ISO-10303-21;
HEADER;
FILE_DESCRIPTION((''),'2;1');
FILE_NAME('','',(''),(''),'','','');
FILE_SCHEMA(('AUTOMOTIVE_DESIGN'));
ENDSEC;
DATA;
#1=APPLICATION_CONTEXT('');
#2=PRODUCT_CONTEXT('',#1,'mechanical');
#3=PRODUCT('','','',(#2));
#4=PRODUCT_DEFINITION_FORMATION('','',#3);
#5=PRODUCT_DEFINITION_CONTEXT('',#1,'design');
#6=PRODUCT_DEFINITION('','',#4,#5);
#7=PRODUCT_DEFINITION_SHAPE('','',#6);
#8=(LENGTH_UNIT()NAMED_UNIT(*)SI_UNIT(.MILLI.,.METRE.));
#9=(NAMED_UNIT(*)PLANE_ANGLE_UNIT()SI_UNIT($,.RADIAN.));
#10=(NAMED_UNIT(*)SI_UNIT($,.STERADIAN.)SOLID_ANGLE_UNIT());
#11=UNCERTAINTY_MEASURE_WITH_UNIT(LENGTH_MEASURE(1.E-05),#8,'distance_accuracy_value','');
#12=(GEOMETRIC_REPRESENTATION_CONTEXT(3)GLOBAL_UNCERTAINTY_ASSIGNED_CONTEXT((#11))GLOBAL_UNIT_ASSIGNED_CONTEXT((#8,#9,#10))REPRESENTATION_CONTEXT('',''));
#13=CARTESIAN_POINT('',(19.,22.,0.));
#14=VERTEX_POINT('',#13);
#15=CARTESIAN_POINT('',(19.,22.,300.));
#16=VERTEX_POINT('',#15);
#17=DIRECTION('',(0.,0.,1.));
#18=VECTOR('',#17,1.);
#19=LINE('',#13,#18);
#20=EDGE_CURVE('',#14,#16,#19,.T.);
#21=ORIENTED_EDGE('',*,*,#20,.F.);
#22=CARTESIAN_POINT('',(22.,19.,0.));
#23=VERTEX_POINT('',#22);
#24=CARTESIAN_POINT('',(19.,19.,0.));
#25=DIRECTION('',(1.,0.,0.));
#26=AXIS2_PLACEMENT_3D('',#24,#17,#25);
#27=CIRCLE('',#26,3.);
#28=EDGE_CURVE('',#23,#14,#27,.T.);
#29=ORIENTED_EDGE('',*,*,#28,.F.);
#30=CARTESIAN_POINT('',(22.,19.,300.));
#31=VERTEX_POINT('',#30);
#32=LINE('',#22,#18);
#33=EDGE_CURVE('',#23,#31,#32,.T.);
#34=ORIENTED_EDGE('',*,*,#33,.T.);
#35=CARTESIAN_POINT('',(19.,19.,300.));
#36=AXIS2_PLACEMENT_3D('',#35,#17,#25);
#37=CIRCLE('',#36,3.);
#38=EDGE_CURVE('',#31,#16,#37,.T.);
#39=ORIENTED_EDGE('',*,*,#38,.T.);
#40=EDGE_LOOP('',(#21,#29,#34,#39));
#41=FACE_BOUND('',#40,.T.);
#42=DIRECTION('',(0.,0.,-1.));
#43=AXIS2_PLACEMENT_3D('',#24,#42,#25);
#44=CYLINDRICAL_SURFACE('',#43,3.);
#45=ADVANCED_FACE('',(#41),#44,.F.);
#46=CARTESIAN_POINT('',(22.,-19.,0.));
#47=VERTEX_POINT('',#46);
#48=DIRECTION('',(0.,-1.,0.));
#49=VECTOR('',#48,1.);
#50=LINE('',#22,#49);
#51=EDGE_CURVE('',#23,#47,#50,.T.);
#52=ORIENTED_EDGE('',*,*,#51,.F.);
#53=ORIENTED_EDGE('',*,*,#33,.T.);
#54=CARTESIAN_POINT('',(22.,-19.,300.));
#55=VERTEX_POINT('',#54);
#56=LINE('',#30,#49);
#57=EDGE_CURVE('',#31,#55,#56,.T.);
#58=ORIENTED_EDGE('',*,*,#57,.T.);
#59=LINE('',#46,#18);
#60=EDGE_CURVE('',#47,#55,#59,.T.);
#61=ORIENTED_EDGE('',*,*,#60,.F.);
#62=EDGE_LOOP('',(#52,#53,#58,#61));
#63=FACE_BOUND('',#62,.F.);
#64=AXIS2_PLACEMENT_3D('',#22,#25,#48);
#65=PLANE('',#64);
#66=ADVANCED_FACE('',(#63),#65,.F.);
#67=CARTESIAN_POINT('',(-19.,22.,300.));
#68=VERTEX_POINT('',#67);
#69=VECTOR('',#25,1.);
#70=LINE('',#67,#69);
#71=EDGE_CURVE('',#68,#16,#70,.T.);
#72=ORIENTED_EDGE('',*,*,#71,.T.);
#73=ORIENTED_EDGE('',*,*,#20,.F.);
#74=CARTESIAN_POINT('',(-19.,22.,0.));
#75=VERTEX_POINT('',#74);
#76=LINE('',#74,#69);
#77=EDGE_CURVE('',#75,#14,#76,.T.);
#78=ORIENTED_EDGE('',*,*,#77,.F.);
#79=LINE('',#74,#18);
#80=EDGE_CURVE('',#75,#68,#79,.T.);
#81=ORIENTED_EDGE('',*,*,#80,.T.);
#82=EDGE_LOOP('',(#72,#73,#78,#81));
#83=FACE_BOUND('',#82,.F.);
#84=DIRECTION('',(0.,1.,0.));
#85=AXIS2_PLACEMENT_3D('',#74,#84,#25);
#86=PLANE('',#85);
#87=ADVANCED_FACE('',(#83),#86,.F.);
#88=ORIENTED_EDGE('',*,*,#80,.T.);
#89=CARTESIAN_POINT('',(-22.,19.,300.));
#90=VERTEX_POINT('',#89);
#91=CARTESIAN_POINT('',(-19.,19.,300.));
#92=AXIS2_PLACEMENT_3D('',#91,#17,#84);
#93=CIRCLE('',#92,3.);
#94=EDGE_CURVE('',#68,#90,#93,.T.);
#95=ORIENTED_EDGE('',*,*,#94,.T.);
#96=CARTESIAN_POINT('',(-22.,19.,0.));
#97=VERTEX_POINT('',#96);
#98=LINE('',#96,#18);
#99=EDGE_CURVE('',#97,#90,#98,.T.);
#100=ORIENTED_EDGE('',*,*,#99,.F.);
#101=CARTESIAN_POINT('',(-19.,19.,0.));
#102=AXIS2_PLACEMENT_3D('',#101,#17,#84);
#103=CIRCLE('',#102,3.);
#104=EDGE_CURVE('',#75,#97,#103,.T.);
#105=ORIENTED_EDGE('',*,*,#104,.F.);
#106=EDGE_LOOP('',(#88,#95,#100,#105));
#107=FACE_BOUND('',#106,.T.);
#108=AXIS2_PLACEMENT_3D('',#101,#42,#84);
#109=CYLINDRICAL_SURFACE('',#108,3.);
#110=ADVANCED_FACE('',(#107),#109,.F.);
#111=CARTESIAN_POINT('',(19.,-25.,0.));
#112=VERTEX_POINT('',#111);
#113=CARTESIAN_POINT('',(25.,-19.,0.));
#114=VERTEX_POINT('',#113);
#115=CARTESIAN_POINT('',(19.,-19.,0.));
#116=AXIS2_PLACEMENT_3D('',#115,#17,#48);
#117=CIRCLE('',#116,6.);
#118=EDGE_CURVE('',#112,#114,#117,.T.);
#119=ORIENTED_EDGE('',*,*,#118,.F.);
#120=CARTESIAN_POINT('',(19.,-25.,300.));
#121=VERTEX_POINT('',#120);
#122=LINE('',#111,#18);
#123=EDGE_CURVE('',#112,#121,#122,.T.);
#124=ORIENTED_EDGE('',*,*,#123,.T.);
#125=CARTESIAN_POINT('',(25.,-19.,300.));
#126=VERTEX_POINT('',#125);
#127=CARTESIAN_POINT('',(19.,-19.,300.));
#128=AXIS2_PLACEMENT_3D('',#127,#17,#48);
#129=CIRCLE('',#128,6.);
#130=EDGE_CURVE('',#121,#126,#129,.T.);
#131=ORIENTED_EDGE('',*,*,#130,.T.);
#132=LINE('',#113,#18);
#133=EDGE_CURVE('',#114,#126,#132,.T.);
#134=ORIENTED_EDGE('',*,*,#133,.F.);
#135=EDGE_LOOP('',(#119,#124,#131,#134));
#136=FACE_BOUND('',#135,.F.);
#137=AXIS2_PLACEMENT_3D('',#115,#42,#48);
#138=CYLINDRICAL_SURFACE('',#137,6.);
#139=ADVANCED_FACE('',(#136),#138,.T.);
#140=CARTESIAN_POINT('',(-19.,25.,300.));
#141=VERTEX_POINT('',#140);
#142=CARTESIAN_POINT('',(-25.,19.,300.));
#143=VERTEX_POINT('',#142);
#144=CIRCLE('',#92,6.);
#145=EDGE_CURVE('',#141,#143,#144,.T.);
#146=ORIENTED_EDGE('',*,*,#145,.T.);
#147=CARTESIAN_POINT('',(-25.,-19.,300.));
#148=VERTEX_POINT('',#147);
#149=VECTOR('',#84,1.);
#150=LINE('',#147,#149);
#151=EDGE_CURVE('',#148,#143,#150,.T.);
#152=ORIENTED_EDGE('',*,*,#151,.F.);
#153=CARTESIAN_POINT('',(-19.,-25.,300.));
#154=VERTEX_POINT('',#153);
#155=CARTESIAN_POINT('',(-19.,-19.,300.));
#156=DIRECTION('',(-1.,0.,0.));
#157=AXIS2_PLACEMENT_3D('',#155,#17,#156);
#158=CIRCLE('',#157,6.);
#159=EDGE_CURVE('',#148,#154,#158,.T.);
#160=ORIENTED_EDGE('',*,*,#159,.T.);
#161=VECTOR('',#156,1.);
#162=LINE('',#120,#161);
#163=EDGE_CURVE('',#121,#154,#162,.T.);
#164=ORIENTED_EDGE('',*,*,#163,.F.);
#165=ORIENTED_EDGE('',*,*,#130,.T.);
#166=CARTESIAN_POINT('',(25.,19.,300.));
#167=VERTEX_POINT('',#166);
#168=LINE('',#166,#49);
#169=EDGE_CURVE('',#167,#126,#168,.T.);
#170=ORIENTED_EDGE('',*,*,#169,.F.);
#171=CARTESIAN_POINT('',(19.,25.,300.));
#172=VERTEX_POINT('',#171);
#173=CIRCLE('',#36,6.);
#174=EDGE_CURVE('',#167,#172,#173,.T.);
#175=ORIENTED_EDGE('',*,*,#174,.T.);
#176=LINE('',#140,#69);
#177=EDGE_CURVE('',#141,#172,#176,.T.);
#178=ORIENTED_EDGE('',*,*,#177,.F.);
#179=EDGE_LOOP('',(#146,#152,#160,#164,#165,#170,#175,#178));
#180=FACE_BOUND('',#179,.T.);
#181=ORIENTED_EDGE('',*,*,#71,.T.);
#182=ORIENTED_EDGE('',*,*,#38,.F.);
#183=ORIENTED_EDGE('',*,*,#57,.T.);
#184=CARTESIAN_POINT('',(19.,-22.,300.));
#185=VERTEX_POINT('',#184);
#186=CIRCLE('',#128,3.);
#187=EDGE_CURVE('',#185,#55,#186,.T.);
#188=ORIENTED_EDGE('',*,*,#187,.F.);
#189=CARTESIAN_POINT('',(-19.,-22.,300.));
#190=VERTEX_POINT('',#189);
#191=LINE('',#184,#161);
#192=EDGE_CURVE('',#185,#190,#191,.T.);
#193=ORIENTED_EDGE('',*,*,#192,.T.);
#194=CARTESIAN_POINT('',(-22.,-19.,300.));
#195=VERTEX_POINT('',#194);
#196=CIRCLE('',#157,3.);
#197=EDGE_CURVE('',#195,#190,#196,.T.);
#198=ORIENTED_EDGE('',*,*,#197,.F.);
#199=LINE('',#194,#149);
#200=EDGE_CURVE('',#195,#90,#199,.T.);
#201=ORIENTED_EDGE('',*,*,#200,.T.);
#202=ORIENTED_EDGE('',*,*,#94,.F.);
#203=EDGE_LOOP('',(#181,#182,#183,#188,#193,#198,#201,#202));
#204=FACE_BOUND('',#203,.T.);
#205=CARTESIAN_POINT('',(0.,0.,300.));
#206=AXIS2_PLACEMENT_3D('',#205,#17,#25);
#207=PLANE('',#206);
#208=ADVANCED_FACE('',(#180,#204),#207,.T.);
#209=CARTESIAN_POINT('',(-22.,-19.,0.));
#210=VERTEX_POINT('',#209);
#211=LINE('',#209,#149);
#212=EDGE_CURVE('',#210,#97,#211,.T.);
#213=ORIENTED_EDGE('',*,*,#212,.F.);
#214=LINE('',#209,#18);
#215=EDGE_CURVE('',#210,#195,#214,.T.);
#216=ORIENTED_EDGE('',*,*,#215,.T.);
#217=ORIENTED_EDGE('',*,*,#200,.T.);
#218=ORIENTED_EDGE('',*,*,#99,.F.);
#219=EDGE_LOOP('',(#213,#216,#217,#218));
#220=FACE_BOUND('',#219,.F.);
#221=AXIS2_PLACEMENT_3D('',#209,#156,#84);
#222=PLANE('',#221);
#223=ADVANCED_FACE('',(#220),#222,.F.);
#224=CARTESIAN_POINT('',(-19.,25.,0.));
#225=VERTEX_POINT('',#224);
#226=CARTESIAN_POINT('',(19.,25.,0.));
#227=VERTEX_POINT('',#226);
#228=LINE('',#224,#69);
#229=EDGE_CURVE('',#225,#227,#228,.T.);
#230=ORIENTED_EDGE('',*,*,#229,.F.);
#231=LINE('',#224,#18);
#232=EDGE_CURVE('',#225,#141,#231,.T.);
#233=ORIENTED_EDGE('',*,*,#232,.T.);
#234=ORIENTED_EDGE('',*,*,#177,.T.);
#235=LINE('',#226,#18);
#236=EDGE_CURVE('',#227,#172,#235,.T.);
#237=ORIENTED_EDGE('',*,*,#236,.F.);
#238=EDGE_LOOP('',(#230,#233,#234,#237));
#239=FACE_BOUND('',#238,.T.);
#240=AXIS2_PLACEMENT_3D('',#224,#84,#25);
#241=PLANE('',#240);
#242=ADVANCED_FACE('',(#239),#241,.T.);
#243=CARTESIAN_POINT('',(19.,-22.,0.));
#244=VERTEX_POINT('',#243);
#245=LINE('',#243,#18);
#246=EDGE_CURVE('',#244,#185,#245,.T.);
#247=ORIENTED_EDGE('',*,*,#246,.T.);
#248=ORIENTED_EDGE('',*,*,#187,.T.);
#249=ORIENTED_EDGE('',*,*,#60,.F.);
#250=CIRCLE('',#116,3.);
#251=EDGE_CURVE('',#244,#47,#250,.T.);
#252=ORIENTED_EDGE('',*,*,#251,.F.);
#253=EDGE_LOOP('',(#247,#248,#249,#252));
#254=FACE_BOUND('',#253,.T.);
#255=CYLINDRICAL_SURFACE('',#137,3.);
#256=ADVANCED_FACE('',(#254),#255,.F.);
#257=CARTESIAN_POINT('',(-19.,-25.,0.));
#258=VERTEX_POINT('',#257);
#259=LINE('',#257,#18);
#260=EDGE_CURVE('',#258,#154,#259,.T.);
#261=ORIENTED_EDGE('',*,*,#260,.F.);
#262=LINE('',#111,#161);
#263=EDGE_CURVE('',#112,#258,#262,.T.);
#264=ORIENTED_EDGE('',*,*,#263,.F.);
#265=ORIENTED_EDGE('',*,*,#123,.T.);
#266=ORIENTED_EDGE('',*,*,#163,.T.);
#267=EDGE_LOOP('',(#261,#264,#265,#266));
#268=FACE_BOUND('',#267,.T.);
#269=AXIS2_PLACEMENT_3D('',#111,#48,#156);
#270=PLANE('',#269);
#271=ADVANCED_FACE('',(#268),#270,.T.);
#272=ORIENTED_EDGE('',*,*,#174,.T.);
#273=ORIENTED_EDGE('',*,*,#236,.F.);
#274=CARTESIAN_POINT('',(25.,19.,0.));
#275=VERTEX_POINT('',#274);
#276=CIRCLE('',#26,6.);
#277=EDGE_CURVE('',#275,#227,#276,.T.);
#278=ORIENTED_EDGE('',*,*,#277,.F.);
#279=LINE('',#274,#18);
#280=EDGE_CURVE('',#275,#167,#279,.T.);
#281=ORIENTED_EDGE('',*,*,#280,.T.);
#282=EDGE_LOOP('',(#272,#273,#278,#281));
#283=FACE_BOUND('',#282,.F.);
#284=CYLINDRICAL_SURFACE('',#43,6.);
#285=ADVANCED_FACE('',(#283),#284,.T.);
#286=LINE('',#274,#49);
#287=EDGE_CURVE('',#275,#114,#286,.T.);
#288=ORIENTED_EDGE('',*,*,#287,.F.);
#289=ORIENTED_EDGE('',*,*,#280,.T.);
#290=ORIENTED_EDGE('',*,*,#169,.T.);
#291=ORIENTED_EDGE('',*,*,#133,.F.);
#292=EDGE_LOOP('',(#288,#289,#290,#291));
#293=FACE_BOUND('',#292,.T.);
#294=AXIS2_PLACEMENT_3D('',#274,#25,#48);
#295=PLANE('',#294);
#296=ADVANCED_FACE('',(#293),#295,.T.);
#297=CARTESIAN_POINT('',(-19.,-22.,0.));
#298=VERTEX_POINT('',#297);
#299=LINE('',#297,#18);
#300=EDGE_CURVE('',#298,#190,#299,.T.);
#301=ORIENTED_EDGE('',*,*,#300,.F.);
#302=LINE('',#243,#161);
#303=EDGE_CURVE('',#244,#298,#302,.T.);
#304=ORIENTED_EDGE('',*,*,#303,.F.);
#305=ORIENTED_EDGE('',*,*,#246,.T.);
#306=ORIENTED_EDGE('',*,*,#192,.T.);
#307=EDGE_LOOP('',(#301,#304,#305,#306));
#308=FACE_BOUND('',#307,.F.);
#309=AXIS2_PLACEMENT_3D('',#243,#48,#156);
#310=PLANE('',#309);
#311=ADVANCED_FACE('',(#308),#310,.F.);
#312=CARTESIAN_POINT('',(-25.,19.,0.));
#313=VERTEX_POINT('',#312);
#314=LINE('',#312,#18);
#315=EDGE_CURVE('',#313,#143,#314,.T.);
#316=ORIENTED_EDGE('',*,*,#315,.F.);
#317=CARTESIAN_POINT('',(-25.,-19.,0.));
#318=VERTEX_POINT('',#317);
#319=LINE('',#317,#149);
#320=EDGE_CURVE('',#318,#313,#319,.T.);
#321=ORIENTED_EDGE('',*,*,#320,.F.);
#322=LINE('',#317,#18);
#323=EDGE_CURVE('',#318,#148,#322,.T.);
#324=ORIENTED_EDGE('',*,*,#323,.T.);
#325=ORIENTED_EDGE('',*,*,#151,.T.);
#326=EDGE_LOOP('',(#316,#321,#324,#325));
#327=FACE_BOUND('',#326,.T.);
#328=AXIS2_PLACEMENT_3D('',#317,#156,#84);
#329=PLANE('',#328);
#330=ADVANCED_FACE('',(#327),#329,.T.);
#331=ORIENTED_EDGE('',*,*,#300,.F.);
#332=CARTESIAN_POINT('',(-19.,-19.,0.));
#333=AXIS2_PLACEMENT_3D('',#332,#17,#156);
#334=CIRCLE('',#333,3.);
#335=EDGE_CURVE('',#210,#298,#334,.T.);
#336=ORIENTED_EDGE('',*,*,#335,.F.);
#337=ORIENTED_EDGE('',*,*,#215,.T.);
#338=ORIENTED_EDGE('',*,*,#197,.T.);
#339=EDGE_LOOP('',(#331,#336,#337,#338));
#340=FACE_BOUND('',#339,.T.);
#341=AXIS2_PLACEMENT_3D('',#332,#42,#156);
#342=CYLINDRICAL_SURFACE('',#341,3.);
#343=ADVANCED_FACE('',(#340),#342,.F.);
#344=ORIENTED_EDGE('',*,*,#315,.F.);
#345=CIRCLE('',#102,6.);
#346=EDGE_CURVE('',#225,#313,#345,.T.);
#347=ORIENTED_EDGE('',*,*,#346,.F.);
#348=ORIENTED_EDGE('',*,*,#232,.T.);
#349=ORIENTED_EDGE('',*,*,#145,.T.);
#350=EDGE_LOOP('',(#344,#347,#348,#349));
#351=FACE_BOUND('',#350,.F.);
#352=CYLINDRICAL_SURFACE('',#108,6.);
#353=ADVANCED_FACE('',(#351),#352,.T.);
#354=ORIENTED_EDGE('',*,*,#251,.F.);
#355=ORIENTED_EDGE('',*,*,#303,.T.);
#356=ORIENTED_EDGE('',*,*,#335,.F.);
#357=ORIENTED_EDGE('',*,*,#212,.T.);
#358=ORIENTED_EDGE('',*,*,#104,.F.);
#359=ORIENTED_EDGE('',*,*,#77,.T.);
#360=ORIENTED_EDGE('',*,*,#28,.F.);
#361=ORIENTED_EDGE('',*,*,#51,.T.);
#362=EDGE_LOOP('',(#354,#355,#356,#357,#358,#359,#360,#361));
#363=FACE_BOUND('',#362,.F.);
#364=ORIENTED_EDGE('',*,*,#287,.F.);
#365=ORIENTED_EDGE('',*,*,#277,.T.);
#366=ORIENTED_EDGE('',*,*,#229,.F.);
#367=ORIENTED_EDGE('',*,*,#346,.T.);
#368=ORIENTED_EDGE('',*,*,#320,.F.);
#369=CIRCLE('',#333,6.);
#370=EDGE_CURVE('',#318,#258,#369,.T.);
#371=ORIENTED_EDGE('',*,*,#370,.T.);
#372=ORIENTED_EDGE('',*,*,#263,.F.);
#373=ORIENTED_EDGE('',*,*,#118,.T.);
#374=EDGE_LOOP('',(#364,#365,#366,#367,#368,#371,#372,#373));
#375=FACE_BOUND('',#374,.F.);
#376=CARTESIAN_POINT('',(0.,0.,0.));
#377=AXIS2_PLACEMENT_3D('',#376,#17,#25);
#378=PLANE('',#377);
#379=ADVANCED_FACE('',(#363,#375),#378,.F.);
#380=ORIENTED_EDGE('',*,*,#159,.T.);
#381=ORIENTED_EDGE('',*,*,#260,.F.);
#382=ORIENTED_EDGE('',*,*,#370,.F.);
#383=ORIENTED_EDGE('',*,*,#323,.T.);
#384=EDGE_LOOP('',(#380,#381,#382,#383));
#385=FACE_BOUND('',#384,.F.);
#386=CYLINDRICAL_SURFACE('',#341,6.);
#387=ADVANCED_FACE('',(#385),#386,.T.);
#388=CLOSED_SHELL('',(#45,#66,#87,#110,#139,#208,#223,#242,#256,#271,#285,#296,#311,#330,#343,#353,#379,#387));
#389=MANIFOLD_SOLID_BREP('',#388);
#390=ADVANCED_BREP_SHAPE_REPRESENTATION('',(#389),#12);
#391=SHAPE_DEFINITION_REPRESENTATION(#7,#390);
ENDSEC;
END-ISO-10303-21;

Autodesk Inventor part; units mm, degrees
ref_plane "YZ Plane" through (0, 0, 0) normal (1, 0, 0) x (0, 1, 0)
ref_plane "Start Plane" through (0, 0, 0) normal (0, 0, 1) x (1, 0, 0)
ref_plane "End Plane" through (0, 0, 300) normal (0, 0, 1) x (1, 0, 0)
sketch "Sketch" plane through (0, 0, 0) normal (0, 0, 1) x (1, 0, 0)
  line L0 (-25, -19) -> (-25, 19)
  line L1 (-19, 25) -> (19, 25)
  line L2 (25, 19) -> (25, -19)
  line L3 (19, -25) -> (-19, -25)
  arc A0 (-25, -19) -> (-19, -25) centre (-19, -19) ccw
  arc A1 (25, 19) -> (19, 25) centre (19, 19) ccw
  arc A2 (-19, 25) -> (-25, 19) centre (-19, 19) ccw
  arc A3 (19, -25) -> (25, -19) centre (19, -19) ccw
  arc A4 (-19, 22) -> (-22, 19) centre (-19, 19) ccw
  line L4 (-19, 22) -> (19, 22)
  arc A5 (22, 19) -> (19, 22) centre (19, 19) ccw
  line L5 (22, 19) -> (22, -19)
  arc A6 (19, -22) -> (22, -19) centre (19, -19) ccw
  line L6 (19, -22) -> (-19, -22)
  arc A7 (-22, -19) -> (-19, -22) centre (-19, -19) ccw
  line L7 (-22, -19) -> (-22, 19)
  line L8 (0, 36.7397) -> (0, -36.7397) construction
  line L9 (-36.7397, 0) -> (36.7397, 0) construction
  dimension "d7" = 6
  dimension "d9" = 50
  dimension "d11" = 50
  dimension "d12" = 3
  dimension "d15" = 25
  dimension "d16" = 25
extrude "Body" add sketch "Sketch" along normal up to surface (300 mm away) from surface at 0
sketch "Sketch3" plane through (0, 0, 0) normal (0, 0, 1) x (1, 0, 0)
  line L0 (0, 0) -> (10, 0)
ref_plane "Work Plane3" through (0, 0, 0) normal (0, -1, 0) x (1, 0, 0)
sketch "Sketch4" plane through (0, 0, 0) normal (0, -1, 0) x (1, 0, 0)
  line L0 (-2, 0) -> (12, 0) projected
  line L1 (-2, 300) -> (12, 300) projected
  dimension "d18" = 300
equation "\"d7\" = G_IR"
equation "\"d9\" = G_W"
equation "\"d11\" = G_H"
equation "\"d12\" = G_T"
equation "\"d15\" = 0.5 * d9"
equation "\"d16\" = 0.5 * d11"
equation "\"d3\" = G_L"
equation "\"G_W\" = 50"
equation "\"G_H\" = 50"
equation "\"G_T\" = 3"
equation "\"G_IR\" = 6"
equation "\"G_L\" = d18"
equation "\"G_OFFSET_START\" = 0"
equation "\"G_OFFSET_END\" = 0"
properties part number "ISO 10799-2 - 50x50x3 - 300" material "Steel, Mild"
